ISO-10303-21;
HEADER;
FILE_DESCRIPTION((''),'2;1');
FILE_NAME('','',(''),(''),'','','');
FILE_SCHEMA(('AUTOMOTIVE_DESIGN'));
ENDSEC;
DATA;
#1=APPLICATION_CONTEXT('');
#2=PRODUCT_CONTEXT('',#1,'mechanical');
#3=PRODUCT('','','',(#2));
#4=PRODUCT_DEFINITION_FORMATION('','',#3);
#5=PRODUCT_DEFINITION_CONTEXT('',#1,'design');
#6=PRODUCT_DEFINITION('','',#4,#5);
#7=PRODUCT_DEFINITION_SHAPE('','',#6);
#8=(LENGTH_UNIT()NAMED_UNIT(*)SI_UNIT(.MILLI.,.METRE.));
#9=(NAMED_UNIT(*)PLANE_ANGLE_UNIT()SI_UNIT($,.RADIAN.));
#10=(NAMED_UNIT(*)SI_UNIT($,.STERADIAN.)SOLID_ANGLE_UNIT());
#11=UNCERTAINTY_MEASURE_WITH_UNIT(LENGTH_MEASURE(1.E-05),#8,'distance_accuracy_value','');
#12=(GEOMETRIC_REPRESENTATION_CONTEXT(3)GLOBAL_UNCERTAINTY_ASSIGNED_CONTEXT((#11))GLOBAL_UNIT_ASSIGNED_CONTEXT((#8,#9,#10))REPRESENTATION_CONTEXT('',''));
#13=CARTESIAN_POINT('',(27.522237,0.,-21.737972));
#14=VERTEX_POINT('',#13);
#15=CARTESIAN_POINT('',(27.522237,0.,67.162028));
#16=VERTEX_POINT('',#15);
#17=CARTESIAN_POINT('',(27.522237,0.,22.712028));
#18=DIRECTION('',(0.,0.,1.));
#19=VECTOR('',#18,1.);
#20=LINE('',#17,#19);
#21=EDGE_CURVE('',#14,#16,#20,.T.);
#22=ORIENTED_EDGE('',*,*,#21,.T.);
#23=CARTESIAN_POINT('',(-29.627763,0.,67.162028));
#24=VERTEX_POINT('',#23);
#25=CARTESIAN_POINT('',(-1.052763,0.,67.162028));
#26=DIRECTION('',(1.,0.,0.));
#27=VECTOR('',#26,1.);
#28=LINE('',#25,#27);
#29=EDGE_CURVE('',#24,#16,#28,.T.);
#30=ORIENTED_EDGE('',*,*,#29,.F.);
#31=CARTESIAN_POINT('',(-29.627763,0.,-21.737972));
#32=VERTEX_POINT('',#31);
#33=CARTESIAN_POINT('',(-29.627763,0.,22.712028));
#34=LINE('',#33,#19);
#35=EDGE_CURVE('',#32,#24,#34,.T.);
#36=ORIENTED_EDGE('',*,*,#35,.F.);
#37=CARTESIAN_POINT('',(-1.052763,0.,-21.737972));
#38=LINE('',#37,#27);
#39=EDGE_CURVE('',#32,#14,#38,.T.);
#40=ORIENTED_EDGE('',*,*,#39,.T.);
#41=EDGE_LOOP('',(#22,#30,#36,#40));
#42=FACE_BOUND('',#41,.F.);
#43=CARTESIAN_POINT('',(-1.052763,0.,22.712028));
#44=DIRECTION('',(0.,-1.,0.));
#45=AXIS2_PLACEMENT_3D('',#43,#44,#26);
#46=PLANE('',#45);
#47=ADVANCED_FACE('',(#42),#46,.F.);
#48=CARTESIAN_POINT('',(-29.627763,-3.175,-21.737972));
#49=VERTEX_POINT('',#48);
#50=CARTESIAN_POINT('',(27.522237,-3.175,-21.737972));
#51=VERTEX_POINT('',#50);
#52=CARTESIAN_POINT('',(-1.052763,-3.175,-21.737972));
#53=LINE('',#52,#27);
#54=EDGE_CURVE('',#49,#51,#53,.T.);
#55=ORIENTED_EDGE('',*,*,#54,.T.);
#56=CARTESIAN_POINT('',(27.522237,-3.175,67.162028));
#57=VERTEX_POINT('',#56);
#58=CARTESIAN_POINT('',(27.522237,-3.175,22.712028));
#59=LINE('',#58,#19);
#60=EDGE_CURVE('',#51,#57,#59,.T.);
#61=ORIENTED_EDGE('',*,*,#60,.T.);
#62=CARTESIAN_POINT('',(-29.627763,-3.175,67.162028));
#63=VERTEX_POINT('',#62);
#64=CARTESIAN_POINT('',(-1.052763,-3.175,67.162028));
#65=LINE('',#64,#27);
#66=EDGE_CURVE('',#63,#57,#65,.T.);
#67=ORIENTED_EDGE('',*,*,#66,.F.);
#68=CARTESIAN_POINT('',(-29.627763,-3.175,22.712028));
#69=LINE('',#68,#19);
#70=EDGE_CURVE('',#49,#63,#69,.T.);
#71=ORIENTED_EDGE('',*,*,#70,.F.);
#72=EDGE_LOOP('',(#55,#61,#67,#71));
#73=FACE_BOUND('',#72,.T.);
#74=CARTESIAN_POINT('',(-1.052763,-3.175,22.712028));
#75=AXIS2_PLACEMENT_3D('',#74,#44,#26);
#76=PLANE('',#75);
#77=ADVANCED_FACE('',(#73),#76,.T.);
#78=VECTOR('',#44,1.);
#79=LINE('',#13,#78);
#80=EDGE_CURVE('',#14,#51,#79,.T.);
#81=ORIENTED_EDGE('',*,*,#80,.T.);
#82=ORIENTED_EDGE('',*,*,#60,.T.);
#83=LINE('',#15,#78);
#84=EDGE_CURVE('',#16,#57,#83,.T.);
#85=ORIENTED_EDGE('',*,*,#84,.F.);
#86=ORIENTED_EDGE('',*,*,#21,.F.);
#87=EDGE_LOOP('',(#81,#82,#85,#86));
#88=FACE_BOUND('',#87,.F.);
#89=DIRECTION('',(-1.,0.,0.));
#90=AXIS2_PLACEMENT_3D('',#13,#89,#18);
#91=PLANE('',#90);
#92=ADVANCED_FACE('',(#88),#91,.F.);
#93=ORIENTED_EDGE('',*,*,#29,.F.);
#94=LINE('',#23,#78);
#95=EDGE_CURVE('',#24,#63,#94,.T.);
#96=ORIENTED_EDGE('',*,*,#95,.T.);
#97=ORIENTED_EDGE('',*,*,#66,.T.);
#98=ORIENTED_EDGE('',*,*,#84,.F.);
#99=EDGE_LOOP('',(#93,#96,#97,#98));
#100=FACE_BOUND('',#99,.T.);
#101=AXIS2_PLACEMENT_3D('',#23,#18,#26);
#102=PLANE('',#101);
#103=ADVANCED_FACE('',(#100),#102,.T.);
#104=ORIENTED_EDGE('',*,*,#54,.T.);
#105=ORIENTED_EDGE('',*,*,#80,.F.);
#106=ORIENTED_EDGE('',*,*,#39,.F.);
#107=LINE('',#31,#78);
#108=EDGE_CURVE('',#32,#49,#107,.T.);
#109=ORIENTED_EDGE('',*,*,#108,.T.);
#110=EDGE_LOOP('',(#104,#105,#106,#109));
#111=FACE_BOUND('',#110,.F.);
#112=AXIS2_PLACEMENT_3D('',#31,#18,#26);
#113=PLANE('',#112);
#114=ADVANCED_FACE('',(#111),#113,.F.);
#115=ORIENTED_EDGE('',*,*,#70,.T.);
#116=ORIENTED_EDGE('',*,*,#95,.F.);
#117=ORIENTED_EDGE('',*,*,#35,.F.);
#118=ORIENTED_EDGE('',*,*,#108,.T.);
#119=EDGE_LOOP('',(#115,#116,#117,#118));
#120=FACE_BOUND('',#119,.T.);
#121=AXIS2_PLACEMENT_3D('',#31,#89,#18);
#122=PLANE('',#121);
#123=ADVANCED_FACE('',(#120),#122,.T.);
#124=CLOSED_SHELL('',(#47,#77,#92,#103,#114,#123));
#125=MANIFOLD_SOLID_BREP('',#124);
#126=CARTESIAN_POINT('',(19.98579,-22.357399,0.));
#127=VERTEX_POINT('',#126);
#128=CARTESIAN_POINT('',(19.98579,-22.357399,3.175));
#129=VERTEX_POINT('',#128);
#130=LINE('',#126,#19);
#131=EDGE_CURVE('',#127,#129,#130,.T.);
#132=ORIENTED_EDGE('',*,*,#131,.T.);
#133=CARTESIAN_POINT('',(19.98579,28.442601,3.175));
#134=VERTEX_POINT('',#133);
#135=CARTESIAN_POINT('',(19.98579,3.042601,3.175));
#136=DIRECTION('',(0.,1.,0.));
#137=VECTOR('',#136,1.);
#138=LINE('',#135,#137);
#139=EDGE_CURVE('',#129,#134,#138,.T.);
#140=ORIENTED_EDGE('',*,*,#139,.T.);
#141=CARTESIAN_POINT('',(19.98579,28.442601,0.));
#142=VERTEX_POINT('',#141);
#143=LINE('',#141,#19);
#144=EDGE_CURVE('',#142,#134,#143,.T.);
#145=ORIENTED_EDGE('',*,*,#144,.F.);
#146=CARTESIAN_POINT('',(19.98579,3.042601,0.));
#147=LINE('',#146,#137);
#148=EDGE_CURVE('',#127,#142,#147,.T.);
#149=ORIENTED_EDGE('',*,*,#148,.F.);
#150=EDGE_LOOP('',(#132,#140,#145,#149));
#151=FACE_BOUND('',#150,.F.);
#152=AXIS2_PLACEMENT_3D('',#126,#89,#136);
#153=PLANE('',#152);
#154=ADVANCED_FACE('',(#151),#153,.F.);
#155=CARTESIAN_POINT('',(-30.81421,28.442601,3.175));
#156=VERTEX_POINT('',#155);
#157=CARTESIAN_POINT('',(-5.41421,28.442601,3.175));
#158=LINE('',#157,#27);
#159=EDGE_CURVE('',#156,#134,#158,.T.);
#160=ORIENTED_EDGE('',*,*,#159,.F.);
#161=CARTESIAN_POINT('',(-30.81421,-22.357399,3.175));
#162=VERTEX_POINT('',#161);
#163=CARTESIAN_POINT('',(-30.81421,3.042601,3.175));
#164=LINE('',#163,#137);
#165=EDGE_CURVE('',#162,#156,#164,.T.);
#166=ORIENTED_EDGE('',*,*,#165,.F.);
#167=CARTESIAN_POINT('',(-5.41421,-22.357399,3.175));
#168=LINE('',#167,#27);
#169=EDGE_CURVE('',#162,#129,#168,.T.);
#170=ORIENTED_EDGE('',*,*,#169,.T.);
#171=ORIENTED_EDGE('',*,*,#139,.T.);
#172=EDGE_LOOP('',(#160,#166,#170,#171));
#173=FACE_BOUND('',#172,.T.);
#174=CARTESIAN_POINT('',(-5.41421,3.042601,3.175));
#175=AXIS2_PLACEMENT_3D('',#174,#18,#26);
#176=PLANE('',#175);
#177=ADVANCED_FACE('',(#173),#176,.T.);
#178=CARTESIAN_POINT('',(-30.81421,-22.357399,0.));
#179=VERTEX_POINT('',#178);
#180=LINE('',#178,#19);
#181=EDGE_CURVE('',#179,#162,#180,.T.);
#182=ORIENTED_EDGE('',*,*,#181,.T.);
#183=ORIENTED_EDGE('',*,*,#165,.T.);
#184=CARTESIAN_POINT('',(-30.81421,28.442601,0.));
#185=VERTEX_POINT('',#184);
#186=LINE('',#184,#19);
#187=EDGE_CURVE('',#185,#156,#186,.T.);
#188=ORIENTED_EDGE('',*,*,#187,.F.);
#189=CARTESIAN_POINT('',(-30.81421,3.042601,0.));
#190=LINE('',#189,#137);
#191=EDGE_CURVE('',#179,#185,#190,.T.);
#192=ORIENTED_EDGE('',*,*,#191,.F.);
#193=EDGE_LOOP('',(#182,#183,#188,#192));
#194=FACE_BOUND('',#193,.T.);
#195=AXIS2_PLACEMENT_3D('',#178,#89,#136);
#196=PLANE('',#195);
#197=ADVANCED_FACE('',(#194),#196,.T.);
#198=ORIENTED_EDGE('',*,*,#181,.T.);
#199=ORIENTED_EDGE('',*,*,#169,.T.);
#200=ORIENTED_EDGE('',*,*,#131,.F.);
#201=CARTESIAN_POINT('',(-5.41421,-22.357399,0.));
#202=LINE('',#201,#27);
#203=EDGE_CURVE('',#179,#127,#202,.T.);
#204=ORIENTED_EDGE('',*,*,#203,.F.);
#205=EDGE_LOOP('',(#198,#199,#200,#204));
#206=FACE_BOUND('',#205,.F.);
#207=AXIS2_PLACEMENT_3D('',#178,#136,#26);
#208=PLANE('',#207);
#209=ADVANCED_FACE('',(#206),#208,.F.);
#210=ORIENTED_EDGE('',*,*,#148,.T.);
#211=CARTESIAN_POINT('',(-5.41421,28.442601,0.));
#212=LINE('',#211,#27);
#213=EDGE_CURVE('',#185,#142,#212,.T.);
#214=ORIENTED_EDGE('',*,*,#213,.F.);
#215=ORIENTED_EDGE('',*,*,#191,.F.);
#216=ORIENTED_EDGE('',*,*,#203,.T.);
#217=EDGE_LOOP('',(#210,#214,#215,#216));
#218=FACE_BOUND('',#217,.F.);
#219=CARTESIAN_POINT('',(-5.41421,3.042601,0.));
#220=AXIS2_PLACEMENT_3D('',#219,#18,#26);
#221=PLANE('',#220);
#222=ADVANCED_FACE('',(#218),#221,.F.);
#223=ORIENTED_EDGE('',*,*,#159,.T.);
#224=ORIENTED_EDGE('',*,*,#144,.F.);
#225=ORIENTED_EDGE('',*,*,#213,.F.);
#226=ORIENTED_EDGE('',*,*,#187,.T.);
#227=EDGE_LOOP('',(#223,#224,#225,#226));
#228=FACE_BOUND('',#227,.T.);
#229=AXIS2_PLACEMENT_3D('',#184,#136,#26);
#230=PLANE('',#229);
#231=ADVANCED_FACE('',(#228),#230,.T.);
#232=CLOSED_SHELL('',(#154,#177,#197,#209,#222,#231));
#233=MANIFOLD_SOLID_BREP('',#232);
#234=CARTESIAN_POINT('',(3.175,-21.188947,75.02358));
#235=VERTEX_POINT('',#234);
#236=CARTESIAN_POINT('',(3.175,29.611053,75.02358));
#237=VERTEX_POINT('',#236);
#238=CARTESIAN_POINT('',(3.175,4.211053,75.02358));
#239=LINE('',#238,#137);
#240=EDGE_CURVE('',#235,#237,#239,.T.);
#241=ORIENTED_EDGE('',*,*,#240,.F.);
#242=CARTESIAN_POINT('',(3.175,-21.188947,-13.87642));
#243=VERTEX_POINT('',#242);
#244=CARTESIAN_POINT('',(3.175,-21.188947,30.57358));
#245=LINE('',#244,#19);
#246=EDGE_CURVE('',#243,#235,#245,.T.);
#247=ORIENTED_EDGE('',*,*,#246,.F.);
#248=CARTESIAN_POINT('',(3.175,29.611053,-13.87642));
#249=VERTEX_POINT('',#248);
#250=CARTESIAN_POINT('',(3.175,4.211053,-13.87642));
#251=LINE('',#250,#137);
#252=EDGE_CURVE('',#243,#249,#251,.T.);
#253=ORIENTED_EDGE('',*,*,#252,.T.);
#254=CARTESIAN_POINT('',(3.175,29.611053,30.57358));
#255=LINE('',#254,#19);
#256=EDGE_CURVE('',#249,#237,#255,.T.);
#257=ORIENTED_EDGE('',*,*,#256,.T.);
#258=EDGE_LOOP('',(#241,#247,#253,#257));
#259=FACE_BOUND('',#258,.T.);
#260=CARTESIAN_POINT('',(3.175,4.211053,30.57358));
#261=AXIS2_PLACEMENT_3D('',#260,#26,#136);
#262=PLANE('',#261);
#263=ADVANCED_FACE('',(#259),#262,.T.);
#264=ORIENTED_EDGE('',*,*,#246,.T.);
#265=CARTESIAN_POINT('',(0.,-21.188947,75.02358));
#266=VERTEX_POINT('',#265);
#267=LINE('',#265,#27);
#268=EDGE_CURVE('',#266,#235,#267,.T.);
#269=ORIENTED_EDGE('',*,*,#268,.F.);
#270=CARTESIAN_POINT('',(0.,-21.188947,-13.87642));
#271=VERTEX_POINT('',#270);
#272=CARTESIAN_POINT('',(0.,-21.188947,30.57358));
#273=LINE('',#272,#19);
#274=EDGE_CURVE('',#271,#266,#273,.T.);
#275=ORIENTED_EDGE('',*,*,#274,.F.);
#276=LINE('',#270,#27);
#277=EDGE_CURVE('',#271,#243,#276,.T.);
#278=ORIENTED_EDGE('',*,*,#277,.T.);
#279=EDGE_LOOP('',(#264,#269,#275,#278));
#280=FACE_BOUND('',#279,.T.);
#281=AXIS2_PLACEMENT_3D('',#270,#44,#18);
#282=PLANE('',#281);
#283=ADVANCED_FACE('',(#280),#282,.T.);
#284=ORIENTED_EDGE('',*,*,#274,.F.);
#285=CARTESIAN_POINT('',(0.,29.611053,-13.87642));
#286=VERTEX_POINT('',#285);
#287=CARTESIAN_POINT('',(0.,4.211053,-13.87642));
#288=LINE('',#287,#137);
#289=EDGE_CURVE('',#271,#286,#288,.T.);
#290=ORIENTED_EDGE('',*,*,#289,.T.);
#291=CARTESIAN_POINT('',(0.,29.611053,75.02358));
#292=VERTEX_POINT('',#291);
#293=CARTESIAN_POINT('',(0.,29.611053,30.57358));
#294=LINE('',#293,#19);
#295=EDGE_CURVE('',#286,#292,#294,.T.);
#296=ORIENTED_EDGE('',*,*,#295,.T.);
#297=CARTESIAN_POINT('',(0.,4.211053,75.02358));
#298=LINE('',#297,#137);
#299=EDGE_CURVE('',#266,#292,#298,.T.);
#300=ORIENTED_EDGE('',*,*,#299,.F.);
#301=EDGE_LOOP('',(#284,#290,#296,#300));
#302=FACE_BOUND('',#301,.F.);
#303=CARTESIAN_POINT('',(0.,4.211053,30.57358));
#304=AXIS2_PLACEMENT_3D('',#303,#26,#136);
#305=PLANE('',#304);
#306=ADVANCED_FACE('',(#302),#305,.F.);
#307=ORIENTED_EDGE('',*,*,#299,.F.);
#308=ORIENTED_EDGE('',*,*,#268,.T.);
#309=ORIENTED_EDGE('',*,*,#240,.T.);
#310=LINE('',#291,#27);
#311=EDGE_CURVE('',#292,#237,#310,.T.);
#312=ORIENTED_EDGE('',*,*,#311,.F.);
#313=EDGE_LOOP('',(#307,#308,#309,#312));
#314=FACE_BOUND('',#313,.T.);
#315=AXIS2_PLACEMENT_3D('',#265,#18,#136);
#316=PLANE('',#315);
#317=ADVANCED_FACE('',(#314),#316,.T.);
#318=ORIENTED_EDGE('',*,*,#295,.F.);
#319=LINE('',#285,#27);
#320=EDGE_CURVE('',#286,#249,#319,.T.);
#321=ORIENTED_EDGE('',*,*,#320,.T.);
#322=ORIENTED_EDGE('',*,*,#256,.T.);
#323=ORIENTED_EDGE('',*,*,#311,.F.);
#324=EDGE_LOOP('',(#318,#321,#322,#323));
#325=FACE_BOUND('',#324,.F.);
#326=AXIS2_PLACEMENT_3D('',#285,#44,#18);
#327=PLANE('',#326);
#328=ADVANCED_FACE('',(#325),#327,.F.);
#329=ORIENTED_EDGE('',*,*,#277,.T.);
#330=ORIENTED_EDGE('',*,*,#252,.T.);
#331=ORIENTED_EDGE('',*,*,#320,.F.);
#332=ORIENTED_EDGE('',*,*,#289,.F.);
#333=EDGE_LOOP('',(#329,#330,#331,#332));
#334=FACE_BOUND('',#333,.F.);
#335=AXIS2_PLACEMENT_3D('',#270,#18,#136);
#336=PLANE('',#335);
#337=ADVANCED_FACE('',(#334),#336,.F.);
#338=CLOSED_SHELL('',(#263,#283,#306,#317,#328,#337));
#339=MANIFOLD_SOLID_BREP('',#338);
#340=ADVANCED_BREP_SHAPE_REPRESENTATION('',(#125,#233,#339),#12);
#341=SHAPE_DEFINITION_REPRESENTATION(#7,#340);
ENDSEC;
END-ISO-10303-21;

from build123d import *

# Parameters (mm, degrees)
F0_W     = 57.15
F0_H     = 88.9
F1_DEPTH = 3.175
F2_W     = 50.8
F2_H     = 88.9
F3_DEPTH = 3.175
F4_W     = 50.8
F4_H     = 50.8
F5_DEPTH = 3.175


with BuildPart() as f1:
    # F0 (on Front) → F1 (new body)
    with BuildSketch(Plane.XZ):
        with Locations((-1.052763, 22.712028)):
            Rectangle(F0_W, F0_H)
    extrude(amount=F1_DEPTH)


with BuildPart() as f3:
    # F2 (on Right) → F3 (new body)
    with BuildSketch(Plane.YZ):
        with Locations((4.211053, 30.57358)):
            Rectangle(F2_W, F2_H)
    extrude(amount=F3_DEPTH)


with BuildPart() as f5:
    # F4 (on Top) → F5 (new body)
    with BuildSketch(Plane.XY):
        with Locations((-5.41421, 3.042601)):
            Rectangle(F4_W, F4_H)
    extrude(amount=F5_DEPTH)


solid = Compound([f1.part, f3.part, f5.part])
